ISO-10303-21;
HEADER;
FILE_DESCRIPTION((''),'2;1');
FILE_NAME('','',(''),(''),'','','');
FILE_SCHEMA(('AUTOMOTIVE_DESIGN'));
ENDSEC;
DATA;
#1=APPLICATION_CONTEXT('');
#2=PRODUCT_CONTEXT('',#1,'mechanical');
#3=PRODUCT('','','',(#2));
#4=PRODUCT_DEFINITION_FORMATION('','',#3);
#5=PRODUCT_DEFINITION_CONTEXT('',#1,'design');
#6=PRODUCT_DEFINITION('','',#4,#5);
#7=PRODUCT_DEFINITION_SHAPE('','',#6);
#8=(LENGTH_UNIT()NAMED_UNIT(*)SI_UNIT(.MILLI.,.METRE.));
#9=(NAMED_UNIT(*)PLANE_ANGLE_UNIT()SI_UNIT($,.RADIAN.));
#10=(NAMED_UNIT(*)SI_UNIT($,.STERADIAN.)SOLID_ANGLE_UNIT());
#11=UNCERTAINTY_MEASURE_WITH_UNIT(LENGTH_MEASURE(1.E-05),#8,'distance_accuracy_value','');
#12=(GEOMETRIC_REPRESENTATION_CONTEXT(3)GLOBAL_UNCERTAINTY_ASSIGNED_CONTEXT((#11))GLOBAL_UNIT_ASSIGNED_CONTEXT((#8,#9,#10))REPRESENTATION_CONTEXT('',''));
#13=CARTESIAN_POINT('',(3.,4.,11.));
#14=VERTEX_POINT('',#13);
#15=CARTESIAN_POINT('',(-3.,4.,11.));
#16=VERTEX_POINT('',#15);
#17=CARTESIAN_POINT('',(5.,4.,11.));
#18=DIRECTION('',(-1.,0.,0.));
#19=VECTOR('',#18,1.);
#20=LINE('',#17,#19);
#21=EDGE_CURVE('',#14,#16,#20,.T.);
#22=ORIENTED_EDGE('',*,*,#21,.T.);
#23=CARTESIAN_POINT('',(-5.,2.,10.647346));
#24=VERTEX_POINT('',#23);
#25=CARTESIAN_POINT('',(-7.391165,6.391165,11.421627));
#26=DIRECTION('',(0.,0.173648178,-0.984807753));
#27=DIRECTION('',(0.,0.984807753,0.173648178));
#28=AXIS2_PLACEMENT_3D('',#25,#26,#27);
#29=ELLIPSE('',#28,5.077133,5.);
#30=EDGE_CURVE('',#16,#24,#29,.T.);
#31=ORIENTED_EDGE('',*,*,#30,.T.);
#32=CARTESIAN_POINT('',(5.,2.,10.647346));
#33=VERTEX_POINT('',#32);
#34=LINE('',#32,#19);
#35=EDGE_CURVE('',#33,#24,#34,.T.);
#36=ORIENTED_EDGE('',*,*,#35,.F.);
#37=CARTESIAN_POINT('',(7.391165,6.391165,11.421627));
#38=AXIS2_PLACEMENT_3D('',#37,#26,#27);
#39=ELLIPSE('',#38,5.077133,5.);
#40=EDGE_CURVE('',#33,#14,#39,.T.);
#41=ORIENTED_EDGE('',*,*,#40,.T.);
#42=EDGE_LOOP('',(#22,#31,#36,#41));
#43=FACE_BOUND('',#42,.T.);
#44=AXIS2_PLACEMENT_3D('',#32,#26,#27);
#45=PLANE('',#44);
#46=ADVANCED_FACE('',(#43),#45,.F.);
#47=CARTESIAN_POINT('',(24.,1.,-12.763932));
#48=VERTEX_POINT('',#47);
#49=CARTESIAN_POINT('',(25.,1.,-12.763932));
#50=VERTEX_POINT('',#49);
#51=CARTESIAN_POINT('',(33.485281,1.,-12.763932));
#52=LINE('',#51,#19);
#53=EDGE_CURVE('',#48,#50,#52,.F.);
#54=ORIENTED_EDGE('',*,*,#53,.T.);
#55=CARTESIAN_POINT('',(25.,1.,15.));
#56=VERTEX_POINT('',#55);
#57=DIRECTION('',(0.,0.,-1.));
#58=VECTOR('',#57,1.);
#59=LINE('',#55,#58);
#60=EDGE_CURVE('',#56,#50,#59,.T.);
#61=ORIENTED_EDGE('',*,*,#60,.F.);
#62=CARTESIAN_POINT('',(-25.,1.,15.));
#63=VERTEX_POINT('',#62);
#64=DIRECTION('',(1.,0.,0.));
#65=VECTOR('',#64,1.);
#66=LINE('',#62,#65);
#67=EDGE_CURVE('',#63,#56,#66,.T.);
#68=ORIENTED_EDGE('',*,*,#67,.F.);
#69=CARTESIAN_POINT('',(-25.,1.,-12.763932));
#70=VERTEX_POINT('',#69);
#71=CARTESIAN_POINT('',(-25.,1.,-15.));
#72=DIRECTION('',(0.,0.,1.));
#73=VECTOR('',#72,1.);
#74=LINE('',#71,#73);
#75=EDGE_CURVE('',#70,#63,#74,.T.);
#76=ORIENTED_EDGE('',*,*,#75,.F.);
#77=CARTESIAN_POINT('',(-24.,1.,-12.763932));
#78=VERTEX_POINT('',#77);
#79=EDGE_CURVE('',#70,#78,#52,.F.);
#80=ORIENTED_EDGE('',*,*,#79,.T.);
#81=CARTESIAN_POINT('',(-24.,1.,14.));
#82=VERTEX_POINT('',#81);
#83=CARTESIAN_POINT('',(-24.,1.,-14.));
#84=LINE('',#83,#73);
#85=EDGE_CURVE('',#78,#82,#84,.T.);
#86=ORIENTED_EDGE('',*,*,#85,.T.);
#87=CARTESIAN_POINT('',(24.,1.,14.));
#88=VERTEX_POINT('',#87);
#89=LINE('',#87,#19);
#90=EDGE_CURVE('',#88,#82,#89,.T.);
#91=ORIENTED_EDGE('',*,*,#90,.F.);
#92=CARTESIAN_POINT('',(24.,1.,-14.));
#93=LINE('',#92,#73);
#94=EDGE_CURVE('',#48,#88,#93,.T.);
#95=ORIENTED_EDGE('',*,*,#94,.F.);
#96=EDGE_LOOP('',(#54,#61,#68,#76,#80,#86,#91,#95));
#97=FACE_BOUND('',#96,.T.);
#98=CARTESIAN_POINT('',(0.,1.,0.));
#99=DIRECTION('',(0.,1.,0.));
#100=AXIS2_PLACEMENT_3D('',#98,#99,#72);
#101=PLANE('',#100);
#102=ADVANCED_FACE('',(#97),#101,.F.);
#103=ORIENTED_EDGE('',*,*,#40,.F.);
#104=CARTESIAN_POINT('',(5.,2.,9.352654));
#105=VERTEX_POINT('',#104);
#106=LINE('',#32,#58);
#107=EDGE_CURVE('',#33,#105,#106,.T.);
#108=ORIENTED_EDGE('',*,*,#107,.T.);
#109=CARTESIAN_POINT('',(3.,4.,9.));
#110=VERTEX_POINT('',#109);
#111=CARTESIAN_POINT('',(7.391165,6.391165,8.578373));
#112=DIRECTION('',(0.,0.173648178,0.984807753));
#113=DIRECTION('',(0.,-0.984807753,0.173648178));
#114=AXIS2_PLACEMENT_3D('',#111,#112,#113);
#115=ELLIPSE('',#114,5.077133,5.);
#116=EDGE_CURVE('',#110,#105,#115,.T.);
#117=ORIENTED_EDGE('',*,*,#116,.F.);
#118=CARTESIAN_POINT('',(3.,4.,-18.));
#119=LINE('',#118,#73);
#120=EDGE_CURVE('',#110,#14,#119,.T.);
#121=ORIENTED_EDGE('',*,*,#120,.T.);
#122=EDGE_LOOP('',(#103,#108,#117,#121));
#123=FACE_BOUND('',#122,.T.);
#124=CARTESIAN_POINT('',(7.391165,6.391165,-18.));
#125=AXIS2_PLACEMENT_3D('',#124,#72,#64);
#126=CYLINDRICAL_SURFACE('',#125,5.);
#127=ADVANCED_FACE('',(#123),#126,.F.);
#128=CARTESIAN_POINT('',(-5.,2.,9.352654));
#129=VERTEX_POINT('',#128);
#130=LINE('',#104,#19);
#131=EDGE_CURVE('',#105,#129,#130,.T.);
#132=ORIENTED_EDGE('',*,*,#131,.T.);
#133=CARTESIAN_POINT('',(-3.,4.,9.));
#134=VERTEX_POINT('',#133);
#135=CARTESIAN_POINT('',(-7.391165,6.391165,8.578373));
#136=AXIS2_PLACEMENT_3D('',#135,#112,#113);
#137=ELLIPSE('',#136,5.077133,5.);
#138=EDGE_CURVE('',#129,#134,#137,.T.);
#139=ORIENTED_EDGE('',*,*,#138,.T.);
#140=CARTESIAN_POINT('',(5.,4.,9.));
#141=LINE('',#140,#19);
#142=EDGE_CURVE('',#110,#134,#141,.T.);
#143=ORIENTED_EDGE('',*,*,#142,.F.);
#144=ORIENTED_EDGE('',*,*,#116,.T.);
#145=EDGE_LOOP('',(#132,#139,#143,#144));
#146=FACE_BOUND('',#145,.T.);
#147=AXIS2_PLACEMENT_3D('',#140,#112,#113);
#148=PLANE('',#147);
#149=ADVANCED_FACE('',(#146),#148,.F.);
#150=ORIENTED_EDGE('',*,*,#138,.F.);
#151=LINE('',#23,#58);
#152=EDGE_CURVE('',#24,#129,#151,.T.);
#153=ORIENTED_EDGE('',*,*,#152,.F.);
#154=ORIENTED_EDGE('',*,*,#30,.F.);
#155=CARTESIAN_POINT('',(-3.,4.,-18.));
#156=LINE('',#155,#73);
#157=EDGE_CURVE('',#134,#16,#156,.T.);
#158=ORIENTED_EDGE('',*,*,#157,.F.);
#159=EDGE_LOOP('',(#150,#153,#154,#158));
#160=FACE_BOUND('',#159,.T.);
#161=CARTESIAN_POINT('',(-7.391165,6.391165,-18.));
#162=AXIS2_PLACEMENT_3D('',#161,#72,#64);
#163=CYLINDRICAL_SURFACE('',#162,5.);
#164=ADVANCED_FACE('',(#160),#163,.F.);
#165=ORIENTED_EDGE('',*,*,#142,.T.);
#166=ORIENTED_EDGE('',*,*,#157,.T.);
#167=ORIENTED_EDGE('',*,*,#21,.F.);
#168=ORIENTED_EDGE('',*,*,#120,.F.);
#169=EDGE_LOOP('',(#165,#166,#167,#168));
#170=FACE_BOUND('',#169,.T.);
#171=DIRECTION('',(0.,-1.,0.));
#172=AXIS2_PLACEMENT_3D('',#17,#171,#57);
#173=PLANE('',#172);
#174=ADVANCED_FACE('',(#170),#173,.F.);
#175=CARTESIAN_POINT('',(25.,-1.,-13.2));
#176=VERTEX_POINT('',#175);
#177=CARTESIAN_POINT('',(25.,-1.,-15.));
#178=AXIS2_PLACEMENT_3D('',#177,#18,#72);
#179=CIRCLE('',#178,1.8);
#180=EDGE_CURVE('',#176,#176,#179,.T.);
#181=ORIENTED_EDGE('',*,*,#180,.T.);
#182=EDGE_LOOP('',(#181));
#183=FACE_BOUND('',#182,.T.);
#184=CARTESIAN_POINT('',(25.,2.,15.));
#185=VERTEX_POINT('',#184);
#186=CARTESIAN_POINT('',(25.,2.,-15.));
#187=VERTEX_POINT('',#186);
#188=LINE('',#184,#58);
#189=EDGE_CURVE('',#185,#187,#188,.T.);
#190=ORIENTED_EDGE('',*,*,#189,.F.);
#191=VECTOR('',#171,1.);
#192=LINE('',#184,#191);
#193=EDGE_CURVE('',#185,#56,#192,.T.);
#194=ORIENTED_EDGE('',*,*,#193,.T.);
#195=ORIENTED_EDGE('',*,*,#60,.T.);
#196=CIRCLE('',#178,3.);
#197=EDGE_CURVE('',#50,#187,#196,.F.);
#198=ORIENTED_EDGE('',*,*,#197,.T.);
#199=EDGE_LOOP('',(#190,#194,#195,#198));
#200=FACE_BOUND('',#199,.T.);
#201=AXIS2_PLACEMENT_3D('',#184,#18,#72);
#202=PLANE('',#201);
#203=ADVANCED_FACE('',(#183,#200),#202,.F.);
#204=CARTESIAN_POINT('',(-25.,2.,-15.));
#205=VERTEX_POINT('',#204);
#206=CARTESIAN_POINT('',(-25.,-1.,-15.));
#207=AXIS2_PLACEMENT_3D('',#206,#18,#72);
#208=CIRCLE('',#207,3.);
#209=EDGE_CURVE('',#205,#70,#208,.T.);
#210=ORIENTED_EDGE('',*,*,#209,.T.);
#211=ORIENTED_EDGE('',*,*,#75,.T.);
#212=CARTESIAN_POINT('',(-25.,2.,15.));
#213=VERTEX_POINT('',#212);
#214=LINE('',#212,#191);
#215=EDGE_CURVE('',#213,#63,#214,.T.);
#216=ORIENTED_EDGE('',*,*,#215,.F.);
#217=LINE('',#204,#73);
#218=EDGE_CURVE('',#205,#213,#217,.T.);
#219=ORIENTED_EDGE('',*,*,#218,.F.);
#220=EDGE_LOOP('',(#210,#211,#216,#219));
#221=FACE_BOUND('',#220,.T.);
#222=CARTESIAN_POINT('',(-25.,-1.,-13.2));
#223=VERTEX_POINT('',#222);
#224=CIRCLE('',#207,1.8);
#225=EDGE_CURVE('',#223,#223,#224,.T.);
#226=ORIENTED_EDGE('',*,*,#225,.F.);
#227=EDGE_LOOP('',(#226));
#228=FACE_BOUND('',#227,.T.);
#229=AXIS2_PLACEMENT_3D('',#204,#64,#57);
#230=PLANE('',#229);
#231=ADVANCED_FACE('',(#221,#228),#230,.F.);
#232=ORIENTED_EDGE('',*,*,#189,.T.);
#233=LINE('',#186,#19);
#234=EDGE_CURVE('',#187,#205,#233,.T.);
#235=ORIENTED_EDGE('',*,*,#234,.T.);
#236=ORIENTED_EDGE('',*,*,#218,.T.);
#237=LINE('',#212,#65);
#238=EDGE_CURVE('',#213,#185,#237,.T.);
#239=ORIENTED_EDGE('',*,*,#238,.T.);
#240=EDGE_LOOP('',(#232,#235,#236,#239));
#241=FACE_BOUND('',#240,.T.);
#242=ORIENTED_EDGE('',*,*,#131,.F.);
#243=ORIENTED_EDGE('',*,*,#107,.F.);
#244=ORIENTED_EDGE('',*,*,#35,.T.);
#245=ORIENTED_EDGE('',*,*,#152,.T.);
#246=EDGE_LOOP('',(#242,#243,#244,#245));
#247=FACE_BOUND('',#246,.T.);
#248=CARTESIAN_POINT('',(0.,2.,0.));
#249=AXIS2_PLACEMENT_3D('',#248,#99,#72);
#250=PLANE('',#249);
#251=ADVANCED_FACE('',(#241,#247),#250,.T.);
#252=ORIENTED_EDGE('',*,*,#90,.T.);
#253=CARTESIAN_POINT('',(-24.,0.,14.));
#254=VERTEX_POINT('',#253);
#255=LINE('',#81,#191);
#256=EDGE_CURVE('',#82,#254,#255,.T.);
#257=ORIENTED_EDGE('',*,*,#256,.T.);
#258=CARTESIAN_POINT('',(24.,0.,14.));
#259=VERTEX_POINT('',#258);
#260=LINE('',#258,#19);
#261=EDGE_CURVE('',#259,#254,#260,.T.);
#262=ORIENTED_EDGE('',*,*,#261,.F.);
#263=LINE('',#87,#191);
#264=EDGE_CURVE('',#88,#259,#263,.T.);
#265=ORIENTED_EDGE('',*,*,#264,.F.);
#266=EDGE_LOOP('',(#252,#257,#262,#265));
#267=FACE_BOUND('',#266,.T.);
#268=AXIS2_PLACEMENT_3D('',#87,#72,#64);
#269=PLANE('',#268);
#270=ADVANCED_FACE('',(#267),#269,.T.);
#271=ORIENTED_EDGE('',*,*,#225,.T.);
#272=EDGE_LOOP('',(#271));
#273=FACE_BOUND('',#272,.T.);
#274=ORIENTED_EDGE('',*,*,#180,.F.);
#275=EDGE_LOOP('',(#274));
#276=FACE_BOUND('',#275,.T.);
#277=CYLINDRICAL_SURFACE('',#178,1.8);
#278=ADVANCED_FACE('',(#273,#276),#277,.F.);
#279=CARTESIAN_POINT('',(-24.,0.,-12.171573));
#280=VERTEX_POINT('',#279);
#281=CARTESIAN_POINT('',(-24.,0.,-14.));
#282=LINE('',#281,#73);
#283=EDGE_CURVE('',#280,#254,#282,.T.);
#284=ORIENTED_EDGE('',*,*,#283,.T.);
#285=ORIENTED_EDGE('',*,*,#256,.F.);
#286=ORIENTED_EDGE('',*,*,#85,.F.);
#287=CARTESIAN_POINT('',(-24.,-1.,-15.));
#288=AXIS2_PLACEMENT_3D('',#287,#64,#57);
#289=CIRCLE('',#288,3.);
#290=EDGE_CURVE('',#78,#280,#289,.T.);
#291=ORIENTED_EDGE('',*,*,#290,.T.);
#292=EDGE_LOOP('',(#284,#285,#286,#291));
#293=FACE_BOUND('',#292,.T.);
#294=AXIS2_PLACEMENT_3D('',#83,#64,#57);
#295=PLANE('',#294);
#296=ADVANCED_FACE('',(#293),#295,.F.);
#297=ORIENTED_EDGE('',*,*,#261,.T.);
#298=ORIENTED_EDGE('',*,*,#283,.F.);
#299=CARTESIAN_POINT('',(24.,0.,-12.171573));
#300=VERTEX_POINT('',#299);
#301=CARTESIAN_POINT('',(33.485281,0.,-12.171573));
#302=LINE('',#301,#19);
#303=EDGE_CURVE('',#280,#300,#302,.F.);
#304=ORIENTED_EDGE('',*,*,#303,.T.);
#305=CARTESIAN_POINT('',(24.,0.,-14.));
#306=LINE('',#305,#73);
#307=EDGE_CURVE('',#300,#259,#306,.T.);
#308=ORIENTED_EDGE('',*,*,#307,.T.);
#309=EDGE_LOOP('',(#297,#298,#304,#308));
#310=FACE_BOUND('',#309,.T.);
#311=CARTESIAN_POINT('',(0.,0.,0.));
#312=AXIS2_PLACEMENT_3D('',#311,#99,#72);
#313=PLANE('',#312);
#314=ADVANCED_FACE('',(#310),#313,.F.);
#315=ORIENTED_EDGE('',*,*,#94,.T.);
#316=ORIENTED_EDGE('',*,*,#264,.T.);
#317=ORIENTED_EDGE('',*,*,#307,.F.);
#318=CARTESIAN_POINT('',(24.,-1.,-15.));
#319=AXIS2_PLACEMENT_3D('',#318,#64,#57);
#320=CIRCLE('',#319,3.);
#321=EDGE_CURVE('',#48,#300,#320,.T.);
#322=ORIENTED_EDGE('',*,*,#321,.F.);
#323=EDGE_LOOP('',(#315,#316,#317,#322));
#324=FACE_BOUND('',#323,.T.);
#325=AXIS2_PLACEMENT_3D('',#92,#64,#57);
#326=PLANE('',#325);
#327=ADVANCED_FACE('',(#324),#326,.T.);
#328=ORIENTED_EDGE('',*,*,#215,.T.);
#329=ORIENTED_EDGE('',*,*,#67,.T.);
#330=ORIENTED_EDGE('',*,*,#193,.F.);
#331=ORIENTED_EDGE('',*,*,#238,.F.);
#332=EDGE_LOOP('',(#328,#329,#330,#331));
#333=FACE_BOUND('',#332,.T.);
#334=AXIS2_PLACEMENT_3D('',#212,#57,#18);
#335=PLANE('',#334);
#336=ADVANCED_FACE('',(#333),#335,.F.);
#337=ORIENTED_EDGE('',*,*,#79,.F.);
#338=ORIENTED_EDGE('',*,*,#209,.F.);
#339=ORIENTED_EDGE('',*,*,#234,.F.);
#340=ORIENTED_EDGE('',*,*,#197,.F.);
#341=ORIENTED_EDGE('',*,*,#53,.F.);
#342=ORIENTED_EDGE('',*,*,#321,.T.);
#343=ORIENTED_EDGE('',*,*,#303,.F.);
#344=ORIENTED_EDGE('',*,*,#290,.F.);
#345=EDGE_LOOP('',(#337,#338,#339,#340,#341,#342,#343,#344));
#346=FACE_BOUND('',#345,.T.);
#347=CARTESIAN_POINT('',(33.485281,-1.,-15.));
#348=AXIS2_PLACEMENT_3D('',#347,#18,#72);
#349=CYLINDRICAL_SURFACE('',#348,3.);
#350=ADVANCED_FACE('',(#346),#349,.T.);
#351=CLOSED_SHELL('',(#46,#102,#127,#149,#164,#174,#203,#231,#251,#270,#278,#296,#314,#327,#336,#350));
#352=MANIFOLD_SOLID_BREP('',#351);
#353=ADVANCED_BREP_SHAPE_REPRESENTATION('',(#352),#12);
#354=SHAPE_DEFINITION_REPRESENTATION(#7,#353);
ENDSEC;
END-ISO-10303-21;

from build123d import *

# Parameters (mm, degrees)
SKETCH1_W           = 48
SKETCH1_H           = 28
BOSS_EXTRUDE1_DEPTH = 1
SKETCH2_W           = 50
SKETCH2_H           = 30
BOSS_EXTRUDE2_DEPTH = 1
SKETCH3_R           = 3
BOSS_EXTRUDE3_DEPTH = 50
SKETCH4_R           = 1.8
CUT_EXTRUDE1_DEPTH  = 51
BOSS_EXTRUDE4_DEPTH = 5
CUT_EXTRUDE2_DEPTH  = 34


with BuildPart() as part:
    # Sketch1 → Boss-Extrude1 (new body)
    with BuildSketch(Plane(origin=(0, 0, 0), x_dir=(1, 0, 0), z_dir=(0, 1, 0))):
        Rectangle(SKETCH1_W, SKETCH1_H)
    extrude(amount=BOSS_EXTRUDE1_DEPTH)

    # Sketch2 → Boss-Extrude2 (add)
    with BuildSketch(Plane(origin=(0, 1, 0), x_dir=(1, 0, 0), z_dir=(0, 1, 0))):
        Rectangle(SKETCH2_W, SKETCH2_H)
    extrude(amount=BOSS_EXTRUDE2_DEPTH)

    # Sketch3 → Boss-Extrude3 (add)
    with BuildSketch(Plane.ZY.offset(25)):
        with Locations((-15, -1)):
            Circle(SKETCH3_R)
    extrude(amount=-BOSS_EXTRUDE3_DEPTH)

    # Sketch4 → Cut-Extrude1 (cut, through all)
    with BuildSketch(Plane.ZY.offset(25)):
        with Locations((-15, -1)):
            Circle(SKETCH4_R)
    extrude(amount=-CUT_EXTRUDE1_DEPTH, mode=Mode.SUBTRACT)

    # Sketch6 → Boss-Extrude4 (add, symmetric)
    with BuildSketch(Plane(origin=(0, 0, 0), x_dir=(0, 0, -1), z_dir=(1, 0, 0))):
        Polygon((-10.647346039, 2), (-11, 4), (-9, 4), (-9.352653961, 2), align=None)
    extrude(amount=BOSS_EXTRUDE4_DEPTH, both=True)

    # Sketch8 → Cut-Extrude2 (cut, through all)
    with BuildSketch(Plane.XY.offset(15)):
        with BuildLine():
            Line((3, 4), (5, 4))
            Line((5, 4), (5, 2))
            ThreePointArc((5, 2), (3.855631086, 2.855631086), (3, 4))
        make_face()
        with BuildLine():
            Line((-5, 4), (-5, 2))
            ThreePointArc((-5, 2), (-3.855631086, 2.855631086), (-3, 4))
            Line((-3, 4), (-5, 4))
        make_face()
    extrude(amount=-CUT_EXTRUDE2_DEPTH, mode=Mode.SUBTRACT)


solid = part.part
